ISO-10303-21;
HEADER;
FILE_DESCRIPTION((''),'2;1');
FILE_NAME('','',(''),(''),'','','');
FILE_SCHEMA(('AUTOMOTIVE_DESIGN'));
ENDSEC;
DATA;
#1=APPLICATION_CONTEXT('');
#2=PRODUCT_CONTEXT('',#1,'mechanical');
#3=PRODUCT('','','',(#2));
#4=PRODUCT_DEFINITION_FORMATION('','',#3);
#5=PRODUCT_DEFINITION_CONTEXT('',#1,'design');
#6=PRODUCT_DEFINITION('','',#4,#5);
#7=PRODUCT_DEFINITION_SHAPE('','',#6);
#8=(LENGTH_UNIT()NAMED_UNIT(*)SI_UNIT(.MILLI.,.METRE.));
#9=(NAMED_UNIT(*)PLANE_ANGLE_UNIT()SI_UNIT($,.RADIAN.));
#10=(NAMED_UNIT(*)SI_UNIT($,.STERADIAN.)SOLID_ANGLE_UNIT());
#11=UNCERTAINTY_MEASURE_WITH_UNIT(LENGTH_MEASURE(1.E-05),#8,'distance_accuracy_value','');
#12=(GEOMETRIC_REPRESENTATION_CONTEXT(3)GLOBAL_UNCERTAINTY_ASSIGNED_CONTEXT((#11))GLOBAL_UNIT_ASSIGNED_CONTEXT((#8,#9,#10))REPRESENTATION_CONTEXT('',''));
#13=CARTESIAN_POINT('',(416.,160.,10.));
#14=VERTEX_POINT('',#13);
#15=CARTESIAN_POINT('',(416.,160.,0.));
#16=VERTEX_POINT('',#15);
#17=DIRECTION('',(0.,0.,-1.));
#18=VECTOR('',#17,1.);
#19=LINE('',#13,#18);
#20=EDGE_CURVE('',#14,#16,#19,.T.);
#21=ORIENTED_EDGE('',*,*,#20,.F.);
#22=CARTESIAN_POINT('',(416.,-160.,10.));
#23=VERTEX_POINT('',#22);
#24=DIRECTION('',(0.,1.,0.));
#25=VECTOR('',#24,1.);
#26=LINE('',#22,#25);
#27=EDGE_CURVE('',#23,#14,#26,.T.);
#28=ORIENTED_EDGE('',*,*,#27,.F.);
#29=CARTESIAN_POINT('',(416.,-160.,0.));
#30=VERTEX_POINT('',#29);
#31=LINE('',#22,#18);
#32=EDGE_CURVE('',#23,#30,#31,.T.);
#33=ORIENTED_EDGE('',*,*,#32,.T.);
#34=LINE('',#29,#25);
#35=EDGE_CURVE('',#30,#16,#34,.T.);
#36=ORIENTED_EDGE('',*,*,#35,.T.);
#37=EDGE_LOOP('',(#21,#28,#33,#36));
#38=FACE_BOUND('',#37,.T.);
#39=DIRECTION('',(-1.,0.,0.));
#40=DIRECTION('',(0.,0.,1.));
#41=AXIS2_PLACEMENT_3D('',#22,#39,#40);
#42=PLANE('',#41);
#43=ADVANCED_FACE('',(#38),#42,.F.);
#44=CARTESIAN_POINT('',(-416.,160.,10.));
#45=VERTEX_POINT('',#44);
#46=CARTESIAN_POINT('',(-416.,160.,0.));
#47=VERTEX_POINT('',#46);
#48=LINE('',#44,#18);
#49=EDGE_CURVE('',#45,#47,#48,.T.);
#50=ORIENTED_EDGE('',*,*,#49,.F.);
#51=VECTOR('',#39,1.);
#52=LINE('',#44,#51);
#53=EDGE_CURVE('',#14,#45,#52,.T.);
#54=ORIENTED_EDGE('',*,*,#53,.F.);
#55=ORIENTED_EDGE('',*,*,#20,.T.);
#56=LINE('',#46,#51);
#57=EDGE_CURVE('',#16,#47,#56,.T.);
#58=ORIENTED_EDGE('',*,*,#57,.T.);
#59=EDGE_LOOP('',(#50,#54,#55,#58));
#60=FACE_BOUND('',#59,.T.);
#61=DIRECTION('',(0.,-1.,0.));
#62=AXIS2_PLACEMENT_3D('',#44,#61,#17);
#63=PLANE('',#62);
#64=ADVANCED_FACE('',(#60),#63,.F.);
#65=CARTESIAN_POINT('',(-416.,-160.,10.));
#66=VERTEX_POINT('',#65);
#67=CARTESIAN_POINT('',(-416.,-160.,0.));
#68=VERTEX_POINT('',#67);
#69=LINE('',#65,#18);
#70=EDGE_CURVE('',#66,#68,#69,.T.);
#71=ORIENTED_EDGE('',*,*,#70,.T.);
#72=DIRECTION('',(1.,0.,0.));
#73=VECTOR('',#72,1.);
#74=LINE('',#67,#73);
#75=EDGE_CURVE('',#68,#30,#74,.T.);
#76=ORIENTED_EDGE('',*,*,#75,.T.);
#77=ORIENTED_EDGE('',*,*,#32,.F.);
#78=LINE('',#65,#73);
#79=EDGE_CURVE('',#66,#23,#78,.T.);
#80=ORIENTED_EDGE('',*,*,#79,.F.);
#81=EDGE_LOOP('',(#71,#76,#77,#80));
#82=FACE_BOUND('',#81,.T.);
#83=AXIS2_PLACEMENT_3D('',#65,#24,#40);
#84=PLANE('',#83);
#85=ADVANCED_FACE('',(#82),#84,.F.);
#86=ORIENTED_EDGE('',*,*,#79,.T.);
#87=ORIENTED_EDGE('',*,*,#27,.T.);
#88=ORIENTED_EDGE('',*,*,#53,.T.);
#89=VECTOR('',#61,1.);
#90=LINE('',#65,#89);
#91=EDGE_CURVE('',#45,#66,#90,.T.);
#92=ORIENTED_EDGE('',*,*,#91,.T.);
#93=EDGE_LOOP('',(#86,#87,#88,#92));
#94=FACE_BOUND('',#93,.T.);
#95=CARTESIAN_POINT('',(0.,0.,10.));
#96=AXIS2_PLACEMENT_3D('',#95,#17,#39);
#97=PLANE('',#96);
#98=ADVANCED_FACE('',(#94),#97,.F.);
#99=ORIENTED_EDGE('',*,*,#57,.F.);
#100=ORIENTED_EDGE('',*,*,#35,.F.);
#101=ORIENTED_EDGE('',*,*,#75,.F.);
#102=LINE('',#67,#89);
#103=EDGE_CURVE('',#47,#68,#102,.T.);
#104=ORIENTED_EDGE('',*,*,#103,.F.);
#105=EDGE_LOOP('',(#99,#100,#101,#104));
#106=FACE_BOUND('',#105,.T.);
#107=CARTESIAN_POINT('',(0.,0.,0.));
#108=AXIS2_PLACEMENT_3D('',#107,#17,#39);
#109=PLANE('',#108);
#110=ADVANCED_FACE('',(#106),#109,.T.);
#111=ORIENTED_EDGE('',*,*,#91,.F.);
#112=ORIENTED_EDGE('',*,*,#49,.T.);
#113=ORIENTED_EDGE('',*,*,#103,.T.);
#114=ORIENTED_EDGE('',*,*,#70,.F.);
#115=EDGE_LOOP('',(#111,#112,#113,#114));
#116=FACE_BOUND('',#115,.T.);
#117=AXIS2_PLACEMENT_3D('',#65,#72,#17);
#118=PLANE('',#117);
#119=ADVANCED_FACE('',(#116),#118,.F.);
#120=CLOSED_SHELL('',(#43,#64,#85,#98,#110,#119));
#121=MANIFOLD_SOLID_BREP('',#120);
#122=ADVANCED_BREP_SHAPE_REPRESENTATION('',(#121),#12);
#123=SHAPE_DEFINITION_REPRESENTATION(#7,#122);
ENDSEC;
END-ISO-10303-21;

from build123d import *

# Parameters (mm, degrees)
ESQUISSE1_W        = 832
ESQUISSE1_H        = 320
BOSS_EXTRU_1_DEPTH = 10


with BuildPart() as part:
    # Esquisse1 → Boss.-Extru.1 (new body)
    with BuildSketch(Plane.XY):
        Rectangle(ESQUISSE1_W, ESQUISSE1_H)
    extrude(amount=BOSS_EXTRU_1_DEPTH)


solid = part.part
